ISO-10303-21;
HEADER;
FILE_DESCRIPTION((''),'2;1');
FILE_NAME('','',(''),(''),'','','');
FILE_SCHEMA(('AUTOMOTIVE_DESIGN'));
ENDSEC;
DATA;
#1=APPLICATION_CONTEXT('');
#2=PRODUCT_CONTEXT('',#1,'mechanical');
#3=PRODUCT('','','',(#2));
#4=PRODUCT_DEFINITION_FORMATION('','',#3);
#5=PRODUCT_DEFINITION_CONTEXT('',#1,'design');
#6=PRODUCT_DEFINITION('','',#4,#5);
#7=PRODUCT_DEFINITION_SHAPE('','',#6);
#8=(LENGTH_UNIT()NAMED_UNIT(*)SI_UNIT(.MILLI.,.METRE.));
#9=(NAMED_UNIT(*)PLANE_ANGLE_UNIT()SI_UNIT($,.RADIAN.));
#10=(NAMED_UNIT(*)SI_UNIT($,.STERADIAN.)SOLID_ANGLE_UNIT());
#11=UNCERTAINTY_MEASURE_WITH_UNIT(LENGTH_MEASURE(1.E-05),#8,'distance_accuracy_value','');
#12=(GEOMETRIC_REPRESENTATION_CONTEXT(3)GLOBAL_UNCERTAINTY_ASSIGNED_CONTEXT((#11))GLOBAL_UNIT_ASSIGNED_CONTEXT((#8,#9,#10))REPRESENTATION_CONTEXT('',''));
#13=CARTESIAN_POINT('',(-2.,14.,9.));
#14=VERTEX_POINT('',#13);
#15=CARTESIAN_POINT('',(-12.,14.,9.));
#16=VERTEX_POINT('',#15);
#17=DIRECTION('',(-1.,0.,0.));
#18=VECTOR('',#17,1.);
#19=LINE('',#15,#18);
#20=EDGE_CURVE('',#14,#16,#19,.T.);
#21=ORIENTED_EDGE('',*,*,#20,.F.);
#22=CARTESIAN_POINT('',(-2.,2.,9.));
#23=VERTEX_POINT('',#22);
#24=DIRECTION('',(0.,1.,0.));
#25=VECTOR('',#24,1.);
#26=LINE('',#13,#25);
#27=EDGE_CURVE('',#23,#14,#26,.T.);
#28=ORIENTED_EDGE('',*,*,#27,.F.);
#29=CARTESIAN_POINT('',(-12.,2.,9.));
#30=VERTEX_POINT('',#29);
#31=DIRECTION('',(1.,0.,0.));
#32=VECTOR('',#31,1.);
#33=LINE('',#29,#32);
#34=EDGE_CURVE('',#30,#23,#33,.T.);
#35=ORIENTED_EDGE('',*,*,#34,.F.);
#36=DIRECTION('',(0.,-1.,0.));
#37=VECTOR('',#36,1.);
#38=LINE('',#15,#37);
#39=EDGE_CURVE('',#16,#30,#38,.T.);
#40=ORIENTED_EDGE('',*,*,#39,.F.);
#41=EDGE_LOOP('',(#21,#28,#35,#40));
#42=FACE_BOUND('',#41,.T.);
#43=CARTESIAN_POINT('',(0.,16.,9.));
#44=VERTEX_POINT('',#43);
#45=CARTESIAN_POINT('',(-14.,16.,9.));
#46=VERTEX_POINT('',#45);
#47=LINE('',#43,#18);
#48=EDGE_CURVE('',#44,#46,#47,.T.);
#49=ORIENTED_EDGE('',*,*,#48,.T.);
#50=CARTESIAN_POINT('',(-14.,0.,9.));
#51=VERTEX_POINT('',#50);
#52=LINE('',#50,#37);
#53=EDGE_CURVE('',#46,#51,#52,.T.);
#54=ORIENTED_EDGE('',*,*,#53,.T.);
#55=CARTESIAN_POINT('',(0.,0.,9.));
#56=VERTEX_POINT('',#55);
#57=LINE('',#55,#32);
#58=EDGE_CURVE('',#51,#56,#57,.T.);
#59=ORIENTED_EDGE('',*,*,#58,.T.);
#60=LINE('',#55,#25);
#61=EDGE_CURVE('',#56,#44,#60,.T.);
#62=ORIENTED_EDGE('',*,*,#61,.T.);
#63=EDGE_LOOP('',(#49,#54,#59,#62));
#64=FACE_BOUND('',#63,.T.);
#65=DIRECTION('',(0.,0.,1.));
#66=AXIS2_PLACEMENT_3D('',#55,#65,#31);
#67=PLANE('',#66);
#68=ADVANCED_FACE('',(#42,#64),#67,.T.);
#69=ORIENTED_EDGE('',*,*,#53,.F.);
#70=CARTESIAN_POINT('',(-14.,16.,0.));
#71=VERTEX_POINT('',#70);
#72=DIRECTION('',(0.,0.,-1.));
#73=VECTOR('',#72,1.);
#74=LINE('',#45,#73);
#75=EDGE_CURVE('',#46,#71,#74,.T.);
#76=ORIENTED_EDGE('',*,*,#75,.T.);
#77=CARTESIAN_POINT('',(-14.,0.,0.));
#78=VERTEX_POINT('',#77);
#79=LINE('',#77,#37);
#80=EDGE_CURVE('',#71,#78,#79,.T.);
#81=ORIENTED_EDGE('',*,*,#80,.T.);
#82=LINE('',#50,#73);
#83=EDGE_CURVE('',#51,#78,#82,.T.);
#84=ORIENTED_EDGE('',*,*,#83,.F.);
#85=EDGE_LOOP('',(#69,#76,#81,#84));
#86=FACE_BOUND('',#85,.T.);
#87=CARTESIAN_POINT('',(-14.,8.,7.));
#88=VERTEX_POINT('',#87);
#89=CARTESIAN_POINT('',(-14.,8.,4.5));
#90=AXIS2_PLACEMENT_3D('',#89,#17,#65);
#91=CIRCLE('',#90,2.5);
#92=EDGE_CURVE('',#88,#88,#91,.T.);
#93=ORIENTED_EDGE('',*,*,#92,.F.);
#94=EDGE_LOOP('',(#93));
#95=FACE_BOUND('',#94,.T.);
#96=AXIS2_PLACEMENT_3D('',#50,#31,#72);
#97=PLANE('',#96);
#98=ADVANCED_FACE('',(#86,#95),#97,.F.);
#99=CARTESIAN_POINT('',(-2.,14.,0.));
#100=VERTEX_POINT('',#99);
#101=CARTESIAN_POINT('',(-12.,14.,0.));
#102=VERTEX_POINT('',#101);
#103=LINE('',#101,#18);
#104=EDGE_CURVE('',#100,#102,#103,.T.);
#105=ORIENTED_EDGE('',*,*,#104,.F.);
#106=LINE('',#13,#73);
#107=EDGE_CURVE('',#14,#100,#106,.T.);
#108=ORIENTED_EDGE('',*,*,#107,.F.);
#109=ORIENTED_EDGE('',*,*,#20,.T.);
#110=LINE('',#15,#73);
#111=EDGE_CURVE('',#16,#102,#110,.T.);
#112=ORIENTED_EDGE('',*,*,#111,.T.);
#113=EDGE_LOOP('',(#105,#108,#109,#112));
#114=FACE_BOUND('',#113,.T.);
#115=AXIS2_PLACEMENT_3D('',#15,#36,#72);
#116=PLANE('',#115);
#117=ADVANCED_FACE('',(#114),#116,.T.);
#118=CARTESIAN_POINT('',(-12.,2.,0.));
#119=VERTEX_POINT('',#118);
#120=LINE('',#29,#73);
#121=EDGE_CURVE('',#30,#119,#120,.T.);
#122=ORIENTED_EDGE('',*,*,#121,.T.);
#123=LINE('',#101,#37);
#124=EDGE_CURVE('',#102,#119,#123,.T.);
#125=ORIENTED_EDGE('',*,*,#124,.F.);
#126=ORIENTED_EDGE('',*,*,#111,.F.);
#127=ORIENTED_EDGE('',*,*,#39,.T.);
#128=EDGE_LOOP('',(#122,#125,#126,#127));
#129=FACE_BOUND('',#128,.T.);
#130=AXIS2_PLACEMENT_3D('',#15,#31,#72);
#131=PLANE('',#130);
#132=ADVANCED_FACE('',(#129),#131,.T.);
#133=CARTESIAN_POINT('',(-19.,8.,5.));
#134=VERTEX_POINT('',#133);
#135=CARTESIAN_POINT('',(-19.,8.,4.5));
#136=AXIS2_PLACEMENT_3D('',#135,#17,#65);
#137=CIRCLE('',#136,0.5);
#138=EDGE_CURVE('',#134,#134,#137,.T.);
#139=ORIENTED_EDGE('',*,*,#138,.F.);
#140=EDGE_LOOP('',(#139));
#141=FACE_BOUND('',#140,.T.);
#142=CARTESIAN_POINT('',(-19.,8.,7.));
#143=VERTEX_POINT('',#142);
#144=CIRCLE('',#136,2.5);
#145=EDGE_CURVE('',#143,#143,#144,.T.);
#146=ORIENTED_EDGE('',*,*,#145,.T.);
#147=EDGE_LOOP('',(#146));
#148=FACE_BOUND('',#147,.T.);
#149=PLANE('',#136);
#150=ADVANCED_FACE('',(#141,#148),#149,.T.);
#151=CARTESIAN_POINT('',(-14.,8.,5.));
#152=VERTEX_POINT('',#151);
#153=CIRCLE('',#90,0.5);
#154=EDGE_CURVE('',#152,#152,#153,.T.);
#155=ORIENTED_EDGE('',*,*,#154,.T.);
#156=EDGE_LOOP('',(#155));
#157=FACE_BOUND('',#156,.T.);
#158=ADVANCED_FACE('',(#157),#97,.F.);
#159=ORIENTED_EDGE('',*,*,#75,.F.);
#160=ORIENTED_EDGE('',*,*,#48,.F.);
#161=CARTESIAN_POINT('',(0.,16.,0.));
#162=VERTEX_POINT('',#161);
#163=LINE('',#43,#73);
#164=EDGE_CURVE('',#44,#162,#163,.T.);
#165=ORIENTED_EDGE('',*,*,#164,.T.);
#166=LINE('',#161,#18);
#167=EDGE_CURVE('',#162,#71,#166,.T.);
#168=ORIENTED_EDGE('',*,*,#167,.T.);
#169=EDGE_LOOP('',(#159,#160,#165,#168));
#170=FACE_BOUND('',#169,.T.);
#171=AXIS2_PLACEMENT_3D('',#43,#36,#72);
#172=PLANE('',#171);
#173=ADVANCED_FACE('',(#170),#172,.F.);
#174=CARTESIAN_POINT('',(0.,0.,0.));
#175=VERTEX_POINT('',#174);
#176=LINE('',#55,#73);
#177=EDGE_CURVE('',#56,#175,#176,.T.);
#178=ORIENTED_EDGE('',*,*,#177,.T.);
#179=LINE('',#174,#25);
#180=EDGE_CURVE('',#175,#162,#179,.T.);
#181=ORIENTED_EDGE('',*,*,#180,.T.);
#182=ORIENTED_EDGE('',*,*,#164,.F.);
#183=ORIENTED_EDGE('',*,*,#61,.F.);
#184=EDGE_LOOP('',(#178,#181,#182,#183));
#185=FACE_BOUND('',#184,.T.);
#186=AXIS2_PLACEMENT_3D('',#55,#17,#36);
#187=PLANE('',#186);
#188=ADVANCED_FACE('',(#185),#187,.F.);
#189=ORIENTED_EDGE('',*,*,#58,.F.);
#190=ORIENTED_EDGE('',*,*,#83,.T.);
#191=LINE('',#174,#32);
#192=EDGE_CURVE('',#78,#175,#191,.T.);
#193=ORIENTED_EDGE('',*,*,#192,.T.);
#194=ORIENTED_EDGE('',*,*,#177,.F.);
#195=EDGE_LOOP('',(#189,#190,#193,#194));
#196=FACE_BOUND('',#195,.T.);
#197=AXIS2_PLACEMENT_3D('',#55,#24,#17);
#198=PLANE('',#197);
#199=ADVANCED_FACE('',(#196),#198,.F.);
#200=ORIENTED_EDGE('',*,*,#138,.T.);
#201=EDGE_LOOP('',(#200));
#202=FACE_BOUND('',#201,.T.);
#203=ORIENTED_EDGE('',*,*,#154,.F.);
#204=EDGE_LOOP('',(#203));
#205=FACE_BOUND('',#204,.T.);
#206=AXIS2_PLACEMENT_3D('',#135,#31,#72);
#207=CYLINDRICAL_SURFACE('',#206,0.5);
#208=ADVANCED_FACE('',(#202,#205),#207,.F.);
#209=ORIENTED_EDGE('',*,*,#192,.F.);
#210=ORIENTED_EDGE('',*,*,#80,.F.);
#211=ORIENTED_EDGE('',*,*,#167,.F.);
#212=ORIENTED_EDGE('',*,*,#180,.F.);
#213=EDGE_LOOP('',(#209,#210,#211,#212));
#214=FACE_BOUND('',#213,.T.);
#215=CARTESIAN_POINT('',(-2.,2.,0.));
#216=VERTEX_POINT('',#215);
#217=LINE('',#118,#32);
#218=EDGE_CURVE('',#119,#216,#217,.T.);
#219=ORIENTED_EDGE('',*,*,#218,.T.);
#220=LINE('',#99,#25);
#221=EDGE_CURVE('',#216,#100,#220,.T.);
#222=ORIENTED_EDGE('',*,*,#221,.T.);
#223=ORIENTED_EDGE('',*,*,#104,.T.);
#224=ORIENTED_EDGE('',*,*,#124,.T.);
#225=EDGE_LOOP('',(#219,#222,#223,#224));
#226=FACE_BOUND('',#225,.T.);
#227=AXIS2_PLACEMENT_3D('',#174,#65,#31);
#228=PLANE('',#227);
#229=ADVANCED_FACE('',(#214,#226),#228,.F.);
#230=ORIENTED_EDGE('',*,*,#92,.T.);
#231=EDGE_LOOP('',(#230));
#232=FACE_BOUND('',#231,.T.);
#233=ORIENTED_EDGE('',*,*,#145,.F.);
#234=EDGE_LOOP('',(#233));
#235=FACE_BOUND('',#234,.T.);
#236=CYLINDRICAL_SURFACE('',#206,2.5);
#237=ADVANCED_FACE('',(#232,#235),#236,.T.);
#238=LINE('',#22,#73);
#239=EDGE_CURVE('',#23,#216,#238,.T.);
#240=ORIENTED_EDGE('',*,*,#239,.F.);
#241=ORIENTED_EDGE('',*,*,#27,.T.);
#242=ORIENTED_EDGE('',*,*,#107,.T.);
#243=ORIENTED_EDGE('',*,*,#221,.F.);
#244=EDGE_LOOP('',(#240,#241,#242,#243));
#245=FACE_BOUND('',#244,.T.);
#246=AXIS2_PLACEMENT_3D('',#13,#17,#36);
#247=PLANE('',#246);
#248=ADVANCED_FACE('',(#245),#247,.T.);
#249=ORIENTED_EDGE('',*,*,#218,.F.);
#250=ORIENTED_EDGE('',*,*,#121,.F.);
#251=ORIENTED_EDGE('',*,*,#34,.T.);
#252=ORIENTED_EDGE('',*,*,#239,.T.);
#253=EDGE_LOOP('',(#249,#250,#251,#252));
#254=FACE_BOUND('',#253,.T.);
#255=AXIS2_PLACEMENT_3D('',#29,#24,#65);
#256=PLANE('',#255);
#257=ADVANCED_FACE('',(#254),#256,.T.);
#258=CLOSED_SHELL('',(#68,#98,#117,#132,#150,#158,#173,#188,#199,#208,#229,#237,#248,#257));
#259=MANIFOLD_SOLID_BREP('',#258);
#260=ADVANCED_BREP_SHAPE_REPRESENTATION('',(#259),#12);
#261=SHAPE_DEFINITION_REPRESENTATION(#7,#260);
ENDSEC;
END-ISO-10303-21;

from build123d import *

# Parameters (mm, degrees)
SKETCH1_W           = 14
SKETCH1_H           = 16
SKETCH1_W_2         = 10
SKETCH1_H_2         = 12
BOSS_EXTRUDE1_DEPTH = 9
SKETCH2_R           = 2.5
SKETCH2_R_2         = 0.5
BOSS_EXTRUDE2_DEPTH = 5


with BuildPart() as part:
    # Sketch1 → Boss-Extrude1 (new body)
    with BuildSketch(Plane.XY):
        with Locations((-7, 8)):
            Rectangle(SKETCH1_W, SKETCH1_H)
        with Locations((-7, 8)):
            Rectangle(SKETCH1_W_2, SKETCH1_H_2, mode=Mode.SUBTRACT)
    extrude(amount=BOSS_EXTRUDE1_DEPTH)

    # Sketch2 → Boss-Extrude2 (add)
    with BuildSketch(Plane.ZY.offset(14)):
        with Locations((4.5, 8)):
            Circle(SKETCH2_R)
        with Locations((4.5, 8)):
            Circle(SKETCH2_R_2, mode=Mode.SUBTRACT)
    extrude(amount=BOSS_EXTRUDE2_DEPTH)


solid = part.part
